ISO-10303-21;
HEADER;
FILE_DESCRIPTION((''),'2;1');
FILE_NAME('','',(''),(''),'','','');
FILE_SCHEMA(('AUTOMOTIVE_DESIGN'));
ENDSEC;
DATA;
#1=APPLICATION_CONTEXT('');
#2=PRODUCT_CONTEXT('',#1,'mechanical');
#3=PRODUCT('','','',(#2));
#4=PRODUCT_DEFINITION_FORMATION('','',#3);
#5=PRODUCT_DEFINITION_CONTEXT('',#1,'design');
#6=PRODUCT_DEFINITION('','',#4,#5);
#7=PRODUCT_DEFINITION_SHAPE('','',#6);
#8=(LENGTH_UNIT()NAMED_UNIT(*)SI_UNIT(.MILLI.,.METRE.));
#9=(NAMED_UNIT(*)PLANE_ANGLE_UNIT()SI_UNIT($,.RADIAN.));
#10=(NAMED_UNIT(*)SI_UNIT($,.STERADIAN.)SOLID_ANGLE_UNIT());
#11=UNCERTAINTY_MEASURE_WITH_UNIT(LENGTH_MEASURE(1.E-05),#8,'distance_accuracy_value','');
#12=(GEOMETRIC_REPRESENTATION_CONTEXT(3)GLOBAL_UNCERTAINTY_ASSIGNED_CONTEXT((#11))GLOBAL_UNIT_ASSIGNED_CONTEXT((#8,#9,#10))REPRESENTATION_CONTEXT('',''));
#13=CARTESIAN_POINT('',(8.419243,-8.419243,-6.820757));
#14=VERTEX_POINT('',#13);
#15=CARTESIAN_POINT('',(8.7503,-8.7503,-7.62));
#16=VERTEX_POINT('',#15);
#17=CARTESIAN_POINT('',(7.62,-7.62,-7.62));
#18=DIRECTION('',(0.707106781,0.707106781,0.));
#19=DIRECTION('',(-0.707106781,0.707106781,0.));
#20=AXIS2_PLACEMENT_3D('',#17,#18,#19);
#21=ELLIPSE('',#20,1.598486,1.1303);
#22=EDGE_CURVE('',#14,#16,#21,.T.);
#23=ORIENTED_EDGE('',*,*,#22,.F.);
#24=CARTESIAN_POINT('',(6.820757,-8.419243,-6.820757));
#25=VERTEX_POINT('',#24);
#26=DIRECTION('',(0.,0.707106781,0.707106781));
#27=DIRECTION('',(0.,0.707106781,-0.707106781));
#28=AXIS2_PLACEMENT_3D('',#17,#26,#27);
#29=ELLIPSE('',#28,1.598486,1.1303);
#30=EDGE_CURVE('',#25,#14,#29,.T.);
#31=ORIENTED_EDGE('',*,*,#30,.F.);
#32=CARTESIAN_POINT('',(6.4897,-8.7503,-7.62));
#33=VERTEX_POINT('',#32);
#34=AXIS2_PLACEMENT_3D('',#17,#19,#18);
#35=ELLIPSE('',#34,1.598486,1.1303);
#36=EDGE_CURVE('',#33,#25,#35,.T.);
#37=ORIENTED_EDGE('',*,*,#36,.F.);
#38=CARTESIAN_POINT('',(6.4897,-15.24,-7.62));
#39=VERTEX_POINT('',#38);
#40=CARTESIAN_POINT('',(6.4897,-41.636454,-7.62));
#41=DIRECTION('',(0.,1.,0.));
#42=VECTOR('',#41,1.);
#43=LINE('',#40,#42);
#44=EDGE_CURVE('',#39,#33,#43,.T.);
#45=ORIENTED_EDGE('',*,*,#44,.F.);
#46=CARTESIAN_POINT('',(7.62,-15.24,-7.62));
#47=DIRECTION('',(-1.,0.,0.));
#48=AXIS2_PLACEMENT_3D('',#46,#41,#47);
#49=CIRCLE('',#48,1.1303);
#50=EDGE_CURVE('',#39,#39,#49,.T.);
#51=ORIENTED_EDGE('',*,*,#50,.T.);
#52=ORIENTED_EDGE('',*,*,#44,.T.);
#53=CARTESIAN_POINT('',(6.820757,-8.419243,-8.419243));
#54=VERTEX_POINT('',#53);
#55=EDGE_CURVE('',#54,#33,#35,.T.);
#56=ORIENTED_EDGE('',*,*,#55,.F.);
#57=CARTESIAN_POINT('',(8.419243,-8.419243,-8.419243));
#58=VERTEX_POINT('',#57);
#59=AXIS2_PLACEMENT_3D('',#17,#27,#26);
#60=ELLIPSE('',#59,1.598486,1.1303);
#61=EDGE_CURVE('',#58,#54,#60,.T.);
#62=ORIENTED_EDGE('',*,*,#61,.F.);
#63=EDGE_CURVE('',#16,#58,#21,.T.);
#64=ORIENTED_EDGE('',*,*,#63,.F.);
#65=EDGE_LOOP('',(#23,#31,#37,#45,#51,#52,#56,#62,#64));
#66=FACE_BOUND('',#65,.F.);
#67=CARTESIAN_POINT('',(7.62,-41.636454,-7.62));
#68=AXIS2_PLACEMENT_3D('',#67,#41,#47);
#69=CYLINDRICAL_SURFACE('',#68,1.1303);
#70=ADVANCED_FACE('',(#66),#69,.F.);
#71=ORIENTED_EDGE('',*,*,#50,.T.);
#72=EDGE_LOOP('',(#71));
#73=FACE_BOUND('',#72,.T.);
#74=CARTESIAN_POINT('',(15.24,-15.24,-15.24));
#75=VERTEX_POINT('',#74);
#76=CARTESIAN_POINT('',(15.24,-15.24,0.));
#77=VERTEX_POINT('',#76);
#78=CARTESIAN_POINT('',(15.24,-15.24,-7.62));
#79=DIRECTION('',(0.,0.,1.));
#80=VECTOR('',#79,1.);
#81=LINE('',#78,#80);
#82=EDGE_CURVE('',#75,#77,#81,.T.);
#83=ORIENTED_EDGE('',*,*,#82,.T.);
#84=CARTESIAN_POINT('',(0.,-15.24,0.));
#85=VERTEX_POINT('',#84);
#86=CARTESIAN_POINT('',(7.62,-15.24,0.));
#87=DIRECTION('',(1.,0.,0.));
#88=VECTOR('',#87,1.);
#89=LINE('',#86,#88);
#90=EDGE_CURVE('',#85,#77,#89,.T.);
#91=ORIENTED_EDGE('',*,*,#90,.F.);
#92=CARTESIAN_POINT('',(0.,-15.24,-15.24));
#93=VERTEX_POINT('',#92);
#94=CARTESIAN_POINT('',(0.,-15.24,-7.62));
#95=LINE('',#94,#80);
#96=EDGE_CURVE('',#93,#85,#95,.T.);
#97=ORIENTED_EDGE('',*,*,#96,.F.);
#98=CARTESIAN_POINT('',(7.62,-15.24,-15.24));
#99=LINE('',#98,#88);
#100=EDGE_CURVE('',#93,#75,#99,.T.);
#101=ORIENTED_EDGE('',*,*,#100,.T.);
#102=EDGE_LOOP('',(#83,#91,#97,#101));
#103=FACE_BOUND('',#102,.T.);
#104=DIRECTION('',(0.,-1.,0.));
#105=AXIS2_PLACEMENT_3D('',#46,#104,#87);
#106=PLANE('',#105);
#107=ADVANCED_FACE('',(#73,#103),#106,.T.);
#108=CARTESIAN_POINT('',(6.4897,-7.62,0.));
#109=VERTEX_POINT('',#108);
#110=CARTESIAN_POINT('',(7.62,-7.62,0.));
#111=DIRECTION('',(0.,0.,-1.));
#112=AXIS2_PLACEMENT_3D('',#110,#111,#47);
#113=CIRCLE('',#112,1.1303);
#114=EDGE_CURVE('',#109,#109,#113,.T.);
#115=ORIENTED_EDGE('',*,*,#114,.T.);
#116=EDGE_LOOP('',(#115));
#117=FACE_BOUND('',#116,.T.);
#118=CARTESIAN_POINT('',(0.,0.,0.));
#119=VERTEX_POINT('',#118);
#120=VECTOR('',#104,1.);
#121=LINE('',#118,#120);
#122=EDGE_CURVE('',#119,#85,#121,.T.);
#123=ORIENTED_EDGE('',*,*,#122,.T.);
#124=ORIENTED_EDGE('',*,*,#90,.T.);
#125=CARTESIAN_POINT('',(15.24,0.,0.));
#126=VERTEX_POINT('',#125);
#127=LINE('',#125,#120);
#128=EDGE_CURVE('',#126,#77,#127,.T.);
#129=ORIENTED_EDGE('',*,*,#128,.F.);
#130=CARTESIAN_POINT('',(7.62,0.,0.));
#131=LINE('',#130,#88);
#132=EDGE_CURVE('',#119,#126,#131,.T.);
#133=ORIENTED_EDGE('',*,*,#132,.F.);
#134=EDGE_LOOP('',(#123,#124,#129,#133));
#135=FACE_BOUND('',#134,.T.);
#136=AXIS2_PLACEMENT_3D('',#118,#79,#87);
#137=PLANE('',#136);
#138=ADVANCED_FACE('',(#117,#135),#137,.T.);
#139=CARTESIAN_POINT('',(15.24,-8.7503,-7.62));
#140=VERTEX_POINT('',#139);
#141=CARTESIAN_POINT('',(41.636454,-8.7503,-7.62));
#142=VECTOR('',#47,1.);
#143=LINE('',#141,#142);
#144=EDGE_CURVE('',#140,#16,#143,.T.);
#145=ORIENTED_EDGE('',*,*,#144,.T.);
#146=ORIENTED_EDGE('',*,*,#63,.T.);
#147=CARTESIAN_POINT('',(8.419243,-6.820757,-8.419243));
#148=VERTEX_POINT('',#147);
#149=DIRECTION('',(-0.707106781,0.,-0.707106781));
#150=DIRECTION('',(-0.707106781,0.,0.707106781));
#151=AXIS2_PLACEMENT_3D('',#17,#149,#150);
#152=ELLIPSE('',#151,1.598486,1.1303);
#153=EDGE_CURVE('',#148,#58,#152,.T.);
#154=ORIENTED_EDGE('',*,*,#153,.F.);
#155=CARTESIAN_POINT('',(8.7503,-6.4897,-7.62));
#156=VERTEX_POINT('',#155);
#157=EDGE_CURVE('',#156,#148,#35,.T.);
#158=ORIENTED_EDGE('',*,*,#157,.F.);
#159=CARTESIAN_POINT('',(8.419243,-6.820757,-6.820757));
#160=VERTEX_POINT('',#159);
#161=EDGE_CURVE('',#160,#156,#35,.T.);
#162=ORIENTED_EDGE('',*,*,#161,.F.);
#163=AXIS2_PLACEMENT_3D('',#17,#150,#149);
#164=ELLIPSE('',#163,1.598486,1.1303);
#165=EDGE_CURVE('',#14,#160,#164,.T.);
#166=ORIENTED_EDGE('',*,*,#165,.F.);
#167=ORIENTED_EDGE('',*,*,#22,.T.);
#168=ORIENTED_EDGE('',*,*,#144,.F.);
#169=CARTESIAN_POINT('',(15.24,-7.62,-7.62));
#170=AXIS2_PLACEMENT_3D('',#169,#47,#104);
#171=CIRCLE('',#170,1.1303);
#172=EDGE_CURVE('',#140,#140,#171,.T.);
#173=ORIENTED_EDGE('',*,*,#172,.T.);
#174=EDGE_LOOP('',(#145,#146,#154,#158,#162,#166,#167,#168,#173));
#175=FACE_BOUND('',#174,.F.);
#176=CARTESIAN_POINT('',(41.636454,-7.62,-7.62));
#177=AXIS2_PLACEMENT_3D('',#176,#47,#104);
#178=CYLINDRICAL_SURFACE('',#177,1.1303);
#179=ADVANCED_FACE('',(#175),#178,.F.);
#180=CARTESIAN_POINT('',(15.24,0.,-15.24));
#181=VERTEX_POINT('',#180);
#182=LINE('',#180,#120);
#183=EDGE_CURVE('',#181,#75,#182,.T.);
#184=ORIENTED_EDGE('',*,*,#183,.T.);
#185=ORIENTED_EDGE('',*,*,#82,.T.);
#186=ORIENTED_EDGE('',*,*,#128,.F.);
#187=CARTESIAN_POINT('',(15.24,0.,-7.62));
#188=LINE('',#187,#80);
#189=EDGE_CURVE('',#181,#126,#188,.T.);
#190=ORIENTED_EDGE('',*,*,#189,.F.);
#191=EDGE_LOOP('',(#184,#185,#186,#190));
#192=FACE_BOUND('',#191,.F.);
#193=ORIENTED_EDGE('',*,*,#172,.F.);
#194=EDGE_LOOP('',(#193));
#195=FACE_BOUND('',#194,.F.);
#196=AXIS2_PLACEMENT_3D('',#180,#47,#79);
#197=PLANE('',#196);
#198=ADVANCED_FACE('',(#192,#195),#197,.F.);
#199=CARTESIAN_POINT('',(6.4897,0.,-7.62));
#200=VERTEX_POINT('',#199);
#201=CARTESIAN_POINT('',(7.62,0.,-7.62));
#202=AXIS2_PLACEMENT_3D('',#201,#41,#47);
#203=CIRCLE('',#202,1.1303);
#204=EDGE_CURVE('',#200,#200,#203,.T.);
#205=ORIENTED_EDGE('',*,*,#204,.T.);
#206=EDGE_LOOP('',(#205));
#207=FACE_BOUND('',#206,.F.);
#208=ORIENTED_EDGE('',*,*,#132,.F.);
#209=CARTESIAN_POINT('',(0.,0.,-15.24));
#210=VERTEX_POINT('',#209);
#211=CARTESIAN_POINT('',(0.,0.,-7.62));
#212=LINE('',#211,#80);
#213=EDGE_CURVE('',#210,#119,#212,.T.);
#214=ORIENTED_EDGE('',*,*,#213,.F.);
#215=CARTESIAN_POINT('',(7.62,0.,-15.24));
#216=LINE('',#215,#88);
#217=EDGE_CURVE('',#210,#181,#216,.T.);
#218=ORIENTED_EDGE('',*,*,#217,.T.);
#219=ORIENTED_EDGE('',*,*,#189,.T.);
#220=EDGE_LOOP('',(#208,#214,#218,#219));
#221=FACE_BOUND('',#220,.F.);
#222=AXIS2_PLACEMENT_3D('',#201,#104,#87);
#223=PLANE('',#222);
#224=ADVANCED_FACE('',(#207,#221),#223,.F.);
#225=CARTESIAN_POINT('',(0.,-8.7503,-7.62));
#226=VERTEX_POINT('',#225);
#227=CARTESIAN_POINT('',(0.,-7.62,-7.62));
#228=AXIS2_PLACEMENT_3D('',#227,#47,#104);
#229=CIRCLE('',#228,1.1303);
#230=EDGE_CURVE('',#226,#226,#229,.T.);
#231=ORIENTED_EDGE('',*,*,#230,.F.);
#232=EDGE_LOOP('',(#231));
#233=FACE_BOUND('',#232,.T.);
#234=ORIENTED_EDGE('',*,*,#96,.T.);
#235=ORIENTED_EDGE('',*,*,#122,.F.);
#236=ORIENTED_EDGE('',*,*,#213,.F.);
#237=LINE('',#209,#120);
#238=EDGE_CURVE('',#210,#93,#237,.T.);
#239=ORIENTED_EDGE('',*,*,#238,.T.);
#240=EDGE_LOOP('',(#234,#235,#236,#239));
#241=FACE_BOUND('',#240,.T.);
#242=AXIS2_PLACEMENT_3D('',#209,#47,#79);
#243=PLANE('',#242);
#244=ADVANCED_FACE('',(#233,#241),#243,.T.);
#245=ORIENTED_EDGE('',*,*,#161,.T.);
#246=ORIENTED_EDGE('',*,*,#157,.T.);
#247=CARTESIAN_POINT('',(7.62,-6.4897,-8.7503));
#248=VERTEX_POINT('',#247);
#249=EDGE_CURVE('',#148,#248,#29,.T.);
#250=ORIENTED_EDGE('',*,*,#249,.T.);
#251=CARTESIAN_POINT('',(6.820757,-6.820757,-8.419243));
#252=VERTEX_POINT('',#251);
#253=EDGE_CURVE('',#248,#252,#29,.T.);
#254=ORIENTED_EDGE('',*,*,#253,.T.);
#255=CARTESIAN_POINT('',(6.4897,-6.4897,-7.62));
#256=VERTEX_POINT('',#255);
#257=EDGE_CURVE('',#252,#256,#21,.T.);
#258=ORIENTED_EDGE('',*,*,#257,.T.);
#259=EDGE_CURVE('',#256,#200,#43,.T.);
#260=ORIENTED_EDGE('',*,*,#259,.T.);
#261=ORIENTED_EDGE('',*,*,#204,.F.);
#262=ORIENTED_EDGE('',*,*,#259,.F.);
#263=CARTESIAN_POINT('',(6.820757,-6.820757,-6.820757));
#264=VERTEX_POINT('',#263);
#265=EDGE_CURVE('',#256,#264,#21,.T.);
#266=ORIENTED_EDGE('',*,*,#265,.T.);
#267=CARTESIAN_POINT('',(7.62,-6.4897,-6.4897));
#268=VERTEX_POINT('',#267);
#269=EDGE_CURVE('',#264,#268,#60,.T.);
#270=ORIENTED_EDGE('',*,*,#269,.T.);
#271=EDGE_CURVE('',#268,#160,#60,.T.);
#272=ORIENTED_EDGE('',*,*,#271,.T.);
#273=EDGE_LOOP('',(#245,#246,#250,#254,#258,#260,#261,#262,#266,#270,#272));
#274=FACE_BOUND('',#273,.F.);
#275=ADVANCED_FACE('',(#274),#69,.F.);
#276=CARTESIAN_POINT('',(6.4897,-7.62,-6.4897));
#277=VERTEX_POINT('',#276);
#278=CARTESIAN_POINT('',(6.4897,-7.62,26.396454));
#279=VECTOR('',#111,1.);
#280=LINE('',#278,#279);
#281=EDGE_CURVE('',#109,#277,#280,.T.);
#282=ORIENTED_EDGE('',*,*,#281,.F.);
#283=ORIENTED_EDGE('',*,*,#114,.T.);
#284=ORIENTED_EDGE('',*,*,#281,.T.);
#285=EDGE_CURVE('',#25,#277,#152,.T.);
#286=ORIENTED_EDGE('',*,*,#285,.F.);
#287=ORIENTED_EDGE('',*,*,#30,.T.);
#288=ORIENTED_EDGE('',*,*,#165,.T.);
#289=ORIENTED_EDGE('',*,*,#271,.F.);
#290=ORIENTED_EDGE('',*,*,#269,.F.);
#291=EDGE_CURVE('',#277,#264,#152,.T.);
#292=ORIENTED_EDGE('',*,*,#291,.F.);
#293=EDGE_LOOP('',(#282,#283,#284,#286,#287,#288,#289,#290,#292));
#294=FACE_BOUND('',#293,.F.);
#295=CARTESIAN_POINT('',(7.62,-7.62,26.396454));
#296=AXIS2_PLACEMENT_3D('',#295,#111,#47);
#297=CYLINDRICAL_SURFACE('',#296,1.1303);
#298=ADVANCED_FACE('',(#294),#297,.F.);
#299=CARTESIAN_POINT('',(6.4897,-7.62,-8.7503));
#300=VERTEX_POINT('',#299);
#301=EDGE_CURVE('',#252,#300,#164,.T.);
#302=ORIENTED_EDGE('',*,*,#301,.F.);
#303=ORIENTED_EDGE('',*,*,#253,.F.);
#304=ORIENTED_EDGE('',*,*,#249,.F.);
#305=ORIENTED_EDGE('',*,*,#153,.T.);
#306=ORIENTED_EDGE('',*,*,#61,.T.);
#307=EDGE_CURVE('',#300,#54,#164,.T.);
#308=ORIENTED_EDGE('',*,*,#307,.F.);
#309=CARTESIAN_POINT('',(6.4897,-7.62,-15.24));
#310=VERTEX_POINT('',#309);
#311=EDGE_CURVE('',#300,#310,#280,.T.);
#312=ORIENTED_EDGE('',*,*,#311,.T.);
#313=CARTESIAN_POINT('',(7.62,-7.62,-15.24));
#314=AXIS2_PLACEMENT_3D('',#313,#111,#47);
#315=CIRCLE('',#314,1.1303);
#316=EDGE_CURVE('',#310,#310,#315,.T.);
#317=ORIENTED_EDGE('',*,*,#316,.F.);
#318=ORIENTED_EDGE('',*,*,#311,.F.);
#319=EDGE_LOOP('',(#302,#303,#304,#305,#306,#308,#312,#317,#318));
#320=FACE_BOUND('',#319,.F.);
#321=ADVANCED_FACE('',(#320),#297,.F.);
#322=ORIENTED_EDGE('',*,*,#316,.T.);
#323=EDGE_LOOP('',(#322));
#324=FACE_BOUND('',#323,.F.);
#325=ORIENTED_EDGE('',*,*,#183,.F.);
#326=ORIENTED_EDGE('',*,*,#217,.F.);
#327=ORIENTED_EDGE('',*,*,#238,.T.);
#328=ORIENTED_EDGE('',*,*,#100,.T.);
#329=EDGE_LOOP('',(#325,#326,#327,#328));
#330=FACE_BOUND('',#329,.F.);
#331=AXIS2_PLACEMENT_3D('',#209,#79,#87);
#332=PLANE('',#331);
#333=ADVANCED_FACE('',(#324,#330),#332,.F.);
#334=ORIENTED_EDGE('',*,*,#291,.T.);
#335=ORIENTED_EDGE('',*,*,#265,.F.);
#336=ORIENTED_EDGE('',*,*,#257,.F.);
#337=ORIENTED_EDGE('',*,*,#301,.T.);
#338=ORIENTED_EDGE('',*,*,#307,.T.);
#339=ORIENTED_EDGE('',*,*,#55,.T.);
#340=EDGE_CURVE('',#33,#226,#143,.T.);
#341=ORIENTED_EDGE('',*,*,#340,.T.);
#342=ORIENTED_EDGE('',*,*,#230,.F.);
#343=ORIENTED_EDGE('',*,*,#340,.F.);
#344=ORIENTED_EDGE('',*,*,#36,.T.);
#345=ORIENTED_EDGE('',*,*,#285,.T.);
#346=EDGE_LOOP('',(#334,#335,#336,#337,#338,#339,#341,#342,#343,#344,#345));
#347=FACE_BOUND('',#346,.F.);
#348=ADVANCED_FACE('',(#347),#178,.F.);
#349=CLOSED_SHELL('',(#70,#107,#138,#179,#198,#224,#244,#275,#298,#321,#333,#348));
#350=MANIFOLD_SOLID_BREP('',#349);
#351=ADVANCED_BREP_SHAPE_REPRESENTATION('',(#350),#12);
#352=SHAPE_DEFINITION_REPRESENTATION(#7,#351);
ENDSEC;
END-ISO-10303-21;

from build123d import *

# Parameters (mm, degrees)
F0_W     = 15.24
F0_H     = 15.24
F1_DEPTH = 15.24
F5_D     = 2.2606
F6_D     = 2.2606
F7_D     = 2.2606


with BuildPart() as f1:
    # F0 (on Front) → F1 (new body)
    with BuildSketch(Plane.XZ):
        with Locations((7.62, -7.62)):
            Rectangle(F0_W, F0_H)
    extrude(amount=F1_DEPTH)

    # F5 (through all)
    with Locations(Plane.XZ.offset(15.24)):
        with Locations((7.62, -7.62)):
            Hole(F5_D / 2)

    # F6 (through all)
    with Locations(Plane.YZ.offset(15.24)):
        with Locations((-7.62, -7.62)):
            Hole(F6_D / 2)

    # F7 (through all)
    with Locations(Plane.XY):
        with Locations((7.62, -7.62)):
            Hole(F7_D / 2)


solid = f1.part
